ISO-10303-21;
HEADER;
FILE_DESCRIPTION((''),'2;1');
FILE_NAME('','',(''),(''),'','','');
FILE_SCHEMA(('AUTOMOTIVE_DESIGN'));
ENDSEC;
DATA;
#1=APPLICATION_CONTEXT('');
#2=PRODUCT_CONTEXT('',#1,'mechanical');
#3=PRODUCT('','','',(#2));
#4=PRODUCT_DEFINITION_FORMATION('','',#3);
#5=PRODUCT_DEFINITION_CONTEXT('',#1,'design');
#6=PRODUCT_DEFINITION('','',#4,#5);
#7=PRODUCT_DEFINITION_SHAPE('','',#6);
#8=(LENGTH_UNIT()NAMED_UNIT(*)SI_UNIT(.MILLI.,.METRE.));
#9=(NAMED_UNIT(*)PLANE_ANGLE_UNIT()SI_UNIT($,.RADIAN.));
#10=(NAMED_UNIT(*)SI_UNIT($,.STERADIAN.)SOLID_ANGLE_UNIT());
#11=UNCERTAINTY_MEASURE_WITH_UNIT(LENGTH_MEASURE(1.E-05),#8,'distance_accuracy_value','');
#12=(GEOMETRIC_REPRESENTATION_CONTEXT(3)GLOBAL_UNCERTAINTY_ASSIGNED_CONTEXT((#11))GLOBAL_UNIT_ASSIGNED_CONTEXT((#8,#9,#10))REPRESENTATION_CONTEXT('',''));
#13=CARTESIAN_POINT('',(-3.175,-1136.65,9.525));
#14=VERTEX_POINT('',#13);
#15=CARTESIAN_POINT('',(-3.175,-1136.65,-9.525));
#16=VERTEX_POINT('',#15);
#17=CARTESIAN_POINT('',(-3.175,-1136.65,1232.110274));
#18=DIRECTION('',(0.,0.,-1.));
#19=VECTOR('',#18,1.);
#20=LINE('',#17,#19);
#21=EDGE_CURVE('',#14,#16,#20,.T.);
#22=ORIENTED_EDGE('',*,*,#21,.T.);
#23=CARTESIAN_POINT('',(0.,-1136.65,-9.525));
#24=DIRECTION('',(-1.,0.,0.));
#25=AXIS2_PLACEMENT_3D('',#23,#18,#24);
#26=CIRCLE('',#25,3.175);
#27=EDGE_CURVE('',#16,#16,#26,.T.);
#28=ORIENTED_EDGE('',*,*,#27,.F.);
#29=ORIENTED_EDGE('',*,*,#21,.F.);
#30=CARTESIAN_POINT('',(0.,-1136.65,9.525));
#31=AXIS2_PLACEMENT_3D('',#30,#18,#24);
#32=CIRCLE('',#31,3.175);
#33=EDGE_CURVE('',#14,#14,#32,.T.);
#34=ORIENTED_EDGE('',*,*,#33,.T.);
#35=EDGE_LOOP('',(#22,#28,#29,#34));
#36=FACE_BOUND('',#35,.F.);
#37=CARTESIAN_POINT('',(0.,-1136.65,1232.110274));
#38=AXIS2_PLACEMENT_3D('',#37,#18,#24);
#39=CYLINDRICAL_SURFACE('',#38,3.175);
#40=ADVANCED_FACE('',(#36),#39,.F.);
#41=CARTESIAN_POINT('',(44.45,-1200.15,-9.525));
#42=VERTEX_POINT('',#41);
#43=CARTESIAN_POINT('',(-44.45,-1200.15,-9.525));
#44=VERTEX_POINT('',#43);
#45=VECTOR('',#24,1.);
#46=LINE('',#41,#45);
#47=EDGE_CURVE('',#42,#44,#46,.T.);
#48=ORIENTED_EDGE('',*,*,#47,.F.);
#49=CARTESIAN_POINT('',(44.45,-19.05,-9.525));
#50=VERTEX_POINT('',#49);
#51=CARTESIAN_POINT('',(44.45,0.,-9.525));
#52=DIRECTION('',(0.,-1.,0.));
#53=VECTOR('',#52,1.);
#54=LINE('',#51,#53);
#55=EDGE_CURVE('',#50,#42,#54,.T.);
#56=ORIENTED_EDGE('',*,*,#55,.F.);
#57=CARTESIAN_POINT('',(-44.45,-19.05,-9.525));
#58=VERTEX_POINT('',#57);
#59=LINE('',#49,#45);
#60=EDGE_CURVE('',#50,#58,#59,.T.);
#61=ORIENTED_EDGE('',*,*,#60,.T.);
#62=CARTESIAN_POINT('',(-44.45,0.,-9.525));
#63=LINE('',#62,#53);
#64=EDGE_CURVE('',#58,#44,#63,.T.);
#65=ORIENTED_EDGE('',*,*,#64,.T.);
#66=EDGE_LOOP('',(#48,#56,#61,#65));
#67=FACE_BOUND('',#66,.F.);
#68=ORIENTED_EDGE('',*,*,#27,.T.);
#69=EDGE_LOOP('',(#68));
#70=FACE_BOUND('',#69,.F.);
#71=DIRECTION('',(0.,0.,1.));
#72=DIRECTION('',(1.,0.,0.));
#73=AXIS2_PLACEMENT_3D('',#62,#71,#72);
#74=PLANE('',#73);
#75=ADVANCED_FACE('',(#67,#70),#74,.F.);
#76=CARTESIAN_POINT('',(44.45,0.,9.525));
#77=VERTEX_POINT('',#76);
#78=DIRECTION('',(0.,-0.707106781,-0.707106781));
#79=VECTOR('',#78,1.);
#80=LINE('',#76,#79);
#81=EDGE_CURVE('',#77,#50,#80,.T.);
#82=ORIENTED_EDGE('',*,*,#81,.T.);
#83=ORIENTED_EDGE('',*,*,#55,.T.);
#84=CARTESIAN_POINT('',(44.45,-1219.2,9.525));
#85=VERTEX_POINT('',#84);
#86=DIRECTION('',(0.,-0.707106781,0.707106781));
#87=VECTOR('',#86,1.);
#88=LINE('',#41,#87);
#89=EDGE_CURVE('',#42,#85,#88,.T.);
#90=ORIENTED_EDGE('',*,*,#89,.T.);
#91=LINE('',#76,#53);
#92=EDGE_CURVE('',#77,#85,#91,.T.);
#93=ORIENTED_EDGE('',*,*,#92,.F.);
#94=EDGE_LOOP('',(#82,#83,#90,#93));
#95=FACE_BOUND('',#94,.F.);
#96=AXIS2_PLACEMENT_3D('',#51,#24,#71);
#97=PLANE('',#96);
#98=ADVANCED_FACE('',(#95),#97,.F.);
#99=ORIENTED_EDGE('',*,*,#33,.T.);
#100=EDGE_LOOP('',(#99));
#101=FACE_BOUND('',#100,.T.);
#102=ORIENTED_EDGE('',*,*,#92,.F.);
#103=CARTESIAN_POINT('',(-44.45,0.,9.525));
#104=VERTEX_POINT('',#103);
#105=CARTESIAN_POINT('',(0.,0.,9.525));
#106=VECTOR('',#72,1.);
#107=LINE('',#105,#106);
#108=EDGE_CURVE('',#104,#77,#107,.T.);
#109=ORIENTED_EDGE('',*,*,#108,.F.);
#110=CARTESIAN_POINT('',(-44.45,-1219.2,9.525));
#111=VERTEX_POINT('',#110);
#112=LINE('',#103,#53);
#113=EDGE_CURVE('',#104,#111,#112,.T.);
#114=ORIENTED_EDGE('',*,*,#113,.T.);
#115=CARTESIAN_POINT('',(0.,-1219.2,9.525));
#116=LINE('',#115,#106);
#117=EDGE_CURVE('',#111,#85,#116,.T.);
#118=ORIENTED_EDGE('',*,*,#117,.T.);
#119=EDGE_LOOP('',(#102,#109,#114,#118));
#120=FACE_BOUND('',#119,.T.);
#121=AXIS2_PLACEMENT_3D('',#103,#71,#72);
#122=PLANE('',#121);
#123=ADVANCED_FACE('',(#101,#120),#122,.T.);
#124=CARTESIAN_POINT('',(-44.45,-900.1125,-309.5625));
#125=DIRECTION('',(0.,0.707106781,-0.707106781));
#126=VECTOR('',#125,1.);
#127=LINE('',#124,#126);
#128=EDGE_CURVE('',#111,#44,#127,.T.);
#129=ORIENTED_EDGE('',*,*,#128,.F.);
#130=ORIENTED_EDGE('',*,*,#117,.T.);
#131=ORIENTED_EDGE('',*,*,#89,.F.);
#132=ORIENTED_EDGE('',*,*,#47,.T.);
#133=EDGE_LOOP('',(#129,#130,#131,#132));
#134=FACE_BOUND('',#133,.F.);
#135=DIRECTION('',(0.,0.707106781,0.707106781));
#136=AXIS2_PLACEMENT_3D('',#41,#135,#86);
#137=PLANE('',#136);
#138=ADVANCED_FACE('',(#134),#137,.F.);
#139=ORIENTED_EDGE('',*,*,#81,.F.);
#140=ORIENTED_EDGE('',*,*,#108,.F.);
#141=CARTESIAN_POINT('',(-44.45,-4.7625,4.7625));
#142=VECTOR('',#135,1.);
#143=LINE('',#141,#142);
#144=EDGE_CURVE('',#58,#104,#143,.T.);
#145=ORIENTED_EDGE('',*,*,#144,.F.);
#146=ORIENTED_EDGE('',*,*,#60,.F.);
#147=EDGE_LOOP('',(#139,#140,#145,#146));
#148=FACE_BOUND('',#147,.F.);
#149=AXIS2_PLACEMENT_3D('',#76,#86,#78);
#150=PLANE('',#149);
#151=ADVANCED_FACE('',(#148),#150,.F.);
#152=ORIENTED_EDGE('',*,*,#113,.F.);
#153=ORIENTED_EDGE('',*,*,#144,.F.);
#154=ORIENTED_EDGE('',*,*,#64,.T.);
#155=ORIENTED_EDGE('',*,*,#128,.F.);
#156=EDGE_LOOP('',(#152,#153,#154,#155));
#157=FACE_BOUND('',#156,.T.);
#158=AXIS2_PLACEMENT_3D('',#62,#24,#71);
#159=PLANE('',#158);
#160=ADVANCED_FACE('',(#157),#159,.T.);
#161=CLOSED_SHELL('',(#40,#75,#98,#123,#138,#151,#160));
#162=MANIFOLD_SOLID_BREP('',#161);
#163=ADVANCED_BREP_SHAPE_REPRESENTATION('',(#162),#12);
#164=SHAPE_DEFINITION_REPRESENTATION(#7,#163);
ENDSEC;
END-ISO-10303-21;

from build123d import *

# Parameters (mm, degrees)
F0_W     = 88.9
F0_H     = 19.05
F1_DEPTH = 1219.2
F3_DEPTH = 88.901
F5_D     = 6.35


with BuildPart() as f1:
    # F0 (on Front) → F1 (new body)
    with BuildSketch(Plane.XZ):
        Rectangle(F0_W, F0_H)
    extrude(amount=F1_DEPTH)

    # F2 (on face) → F3 (cut, through all)
    with BuildSketch(Plane.YZ.offset(44.45)):
        Polygon((0, -9.525), (0, 9.525), (-19.05, -9.525), align=None)
        Polygon((-1200.15, -9.525), (-1219.2, 9.525), (-1219.2, -9.525), align=None)
    extrude(amount=-F3_DEPTH, mode=Mode.SUBTRACT)

    # F5 (through all)
    with Locations(Plane.XY.offset(9.525)):
        with Locations((0, -1136.65)):
            Hole(F5_D / 2)


solid = f1.part
